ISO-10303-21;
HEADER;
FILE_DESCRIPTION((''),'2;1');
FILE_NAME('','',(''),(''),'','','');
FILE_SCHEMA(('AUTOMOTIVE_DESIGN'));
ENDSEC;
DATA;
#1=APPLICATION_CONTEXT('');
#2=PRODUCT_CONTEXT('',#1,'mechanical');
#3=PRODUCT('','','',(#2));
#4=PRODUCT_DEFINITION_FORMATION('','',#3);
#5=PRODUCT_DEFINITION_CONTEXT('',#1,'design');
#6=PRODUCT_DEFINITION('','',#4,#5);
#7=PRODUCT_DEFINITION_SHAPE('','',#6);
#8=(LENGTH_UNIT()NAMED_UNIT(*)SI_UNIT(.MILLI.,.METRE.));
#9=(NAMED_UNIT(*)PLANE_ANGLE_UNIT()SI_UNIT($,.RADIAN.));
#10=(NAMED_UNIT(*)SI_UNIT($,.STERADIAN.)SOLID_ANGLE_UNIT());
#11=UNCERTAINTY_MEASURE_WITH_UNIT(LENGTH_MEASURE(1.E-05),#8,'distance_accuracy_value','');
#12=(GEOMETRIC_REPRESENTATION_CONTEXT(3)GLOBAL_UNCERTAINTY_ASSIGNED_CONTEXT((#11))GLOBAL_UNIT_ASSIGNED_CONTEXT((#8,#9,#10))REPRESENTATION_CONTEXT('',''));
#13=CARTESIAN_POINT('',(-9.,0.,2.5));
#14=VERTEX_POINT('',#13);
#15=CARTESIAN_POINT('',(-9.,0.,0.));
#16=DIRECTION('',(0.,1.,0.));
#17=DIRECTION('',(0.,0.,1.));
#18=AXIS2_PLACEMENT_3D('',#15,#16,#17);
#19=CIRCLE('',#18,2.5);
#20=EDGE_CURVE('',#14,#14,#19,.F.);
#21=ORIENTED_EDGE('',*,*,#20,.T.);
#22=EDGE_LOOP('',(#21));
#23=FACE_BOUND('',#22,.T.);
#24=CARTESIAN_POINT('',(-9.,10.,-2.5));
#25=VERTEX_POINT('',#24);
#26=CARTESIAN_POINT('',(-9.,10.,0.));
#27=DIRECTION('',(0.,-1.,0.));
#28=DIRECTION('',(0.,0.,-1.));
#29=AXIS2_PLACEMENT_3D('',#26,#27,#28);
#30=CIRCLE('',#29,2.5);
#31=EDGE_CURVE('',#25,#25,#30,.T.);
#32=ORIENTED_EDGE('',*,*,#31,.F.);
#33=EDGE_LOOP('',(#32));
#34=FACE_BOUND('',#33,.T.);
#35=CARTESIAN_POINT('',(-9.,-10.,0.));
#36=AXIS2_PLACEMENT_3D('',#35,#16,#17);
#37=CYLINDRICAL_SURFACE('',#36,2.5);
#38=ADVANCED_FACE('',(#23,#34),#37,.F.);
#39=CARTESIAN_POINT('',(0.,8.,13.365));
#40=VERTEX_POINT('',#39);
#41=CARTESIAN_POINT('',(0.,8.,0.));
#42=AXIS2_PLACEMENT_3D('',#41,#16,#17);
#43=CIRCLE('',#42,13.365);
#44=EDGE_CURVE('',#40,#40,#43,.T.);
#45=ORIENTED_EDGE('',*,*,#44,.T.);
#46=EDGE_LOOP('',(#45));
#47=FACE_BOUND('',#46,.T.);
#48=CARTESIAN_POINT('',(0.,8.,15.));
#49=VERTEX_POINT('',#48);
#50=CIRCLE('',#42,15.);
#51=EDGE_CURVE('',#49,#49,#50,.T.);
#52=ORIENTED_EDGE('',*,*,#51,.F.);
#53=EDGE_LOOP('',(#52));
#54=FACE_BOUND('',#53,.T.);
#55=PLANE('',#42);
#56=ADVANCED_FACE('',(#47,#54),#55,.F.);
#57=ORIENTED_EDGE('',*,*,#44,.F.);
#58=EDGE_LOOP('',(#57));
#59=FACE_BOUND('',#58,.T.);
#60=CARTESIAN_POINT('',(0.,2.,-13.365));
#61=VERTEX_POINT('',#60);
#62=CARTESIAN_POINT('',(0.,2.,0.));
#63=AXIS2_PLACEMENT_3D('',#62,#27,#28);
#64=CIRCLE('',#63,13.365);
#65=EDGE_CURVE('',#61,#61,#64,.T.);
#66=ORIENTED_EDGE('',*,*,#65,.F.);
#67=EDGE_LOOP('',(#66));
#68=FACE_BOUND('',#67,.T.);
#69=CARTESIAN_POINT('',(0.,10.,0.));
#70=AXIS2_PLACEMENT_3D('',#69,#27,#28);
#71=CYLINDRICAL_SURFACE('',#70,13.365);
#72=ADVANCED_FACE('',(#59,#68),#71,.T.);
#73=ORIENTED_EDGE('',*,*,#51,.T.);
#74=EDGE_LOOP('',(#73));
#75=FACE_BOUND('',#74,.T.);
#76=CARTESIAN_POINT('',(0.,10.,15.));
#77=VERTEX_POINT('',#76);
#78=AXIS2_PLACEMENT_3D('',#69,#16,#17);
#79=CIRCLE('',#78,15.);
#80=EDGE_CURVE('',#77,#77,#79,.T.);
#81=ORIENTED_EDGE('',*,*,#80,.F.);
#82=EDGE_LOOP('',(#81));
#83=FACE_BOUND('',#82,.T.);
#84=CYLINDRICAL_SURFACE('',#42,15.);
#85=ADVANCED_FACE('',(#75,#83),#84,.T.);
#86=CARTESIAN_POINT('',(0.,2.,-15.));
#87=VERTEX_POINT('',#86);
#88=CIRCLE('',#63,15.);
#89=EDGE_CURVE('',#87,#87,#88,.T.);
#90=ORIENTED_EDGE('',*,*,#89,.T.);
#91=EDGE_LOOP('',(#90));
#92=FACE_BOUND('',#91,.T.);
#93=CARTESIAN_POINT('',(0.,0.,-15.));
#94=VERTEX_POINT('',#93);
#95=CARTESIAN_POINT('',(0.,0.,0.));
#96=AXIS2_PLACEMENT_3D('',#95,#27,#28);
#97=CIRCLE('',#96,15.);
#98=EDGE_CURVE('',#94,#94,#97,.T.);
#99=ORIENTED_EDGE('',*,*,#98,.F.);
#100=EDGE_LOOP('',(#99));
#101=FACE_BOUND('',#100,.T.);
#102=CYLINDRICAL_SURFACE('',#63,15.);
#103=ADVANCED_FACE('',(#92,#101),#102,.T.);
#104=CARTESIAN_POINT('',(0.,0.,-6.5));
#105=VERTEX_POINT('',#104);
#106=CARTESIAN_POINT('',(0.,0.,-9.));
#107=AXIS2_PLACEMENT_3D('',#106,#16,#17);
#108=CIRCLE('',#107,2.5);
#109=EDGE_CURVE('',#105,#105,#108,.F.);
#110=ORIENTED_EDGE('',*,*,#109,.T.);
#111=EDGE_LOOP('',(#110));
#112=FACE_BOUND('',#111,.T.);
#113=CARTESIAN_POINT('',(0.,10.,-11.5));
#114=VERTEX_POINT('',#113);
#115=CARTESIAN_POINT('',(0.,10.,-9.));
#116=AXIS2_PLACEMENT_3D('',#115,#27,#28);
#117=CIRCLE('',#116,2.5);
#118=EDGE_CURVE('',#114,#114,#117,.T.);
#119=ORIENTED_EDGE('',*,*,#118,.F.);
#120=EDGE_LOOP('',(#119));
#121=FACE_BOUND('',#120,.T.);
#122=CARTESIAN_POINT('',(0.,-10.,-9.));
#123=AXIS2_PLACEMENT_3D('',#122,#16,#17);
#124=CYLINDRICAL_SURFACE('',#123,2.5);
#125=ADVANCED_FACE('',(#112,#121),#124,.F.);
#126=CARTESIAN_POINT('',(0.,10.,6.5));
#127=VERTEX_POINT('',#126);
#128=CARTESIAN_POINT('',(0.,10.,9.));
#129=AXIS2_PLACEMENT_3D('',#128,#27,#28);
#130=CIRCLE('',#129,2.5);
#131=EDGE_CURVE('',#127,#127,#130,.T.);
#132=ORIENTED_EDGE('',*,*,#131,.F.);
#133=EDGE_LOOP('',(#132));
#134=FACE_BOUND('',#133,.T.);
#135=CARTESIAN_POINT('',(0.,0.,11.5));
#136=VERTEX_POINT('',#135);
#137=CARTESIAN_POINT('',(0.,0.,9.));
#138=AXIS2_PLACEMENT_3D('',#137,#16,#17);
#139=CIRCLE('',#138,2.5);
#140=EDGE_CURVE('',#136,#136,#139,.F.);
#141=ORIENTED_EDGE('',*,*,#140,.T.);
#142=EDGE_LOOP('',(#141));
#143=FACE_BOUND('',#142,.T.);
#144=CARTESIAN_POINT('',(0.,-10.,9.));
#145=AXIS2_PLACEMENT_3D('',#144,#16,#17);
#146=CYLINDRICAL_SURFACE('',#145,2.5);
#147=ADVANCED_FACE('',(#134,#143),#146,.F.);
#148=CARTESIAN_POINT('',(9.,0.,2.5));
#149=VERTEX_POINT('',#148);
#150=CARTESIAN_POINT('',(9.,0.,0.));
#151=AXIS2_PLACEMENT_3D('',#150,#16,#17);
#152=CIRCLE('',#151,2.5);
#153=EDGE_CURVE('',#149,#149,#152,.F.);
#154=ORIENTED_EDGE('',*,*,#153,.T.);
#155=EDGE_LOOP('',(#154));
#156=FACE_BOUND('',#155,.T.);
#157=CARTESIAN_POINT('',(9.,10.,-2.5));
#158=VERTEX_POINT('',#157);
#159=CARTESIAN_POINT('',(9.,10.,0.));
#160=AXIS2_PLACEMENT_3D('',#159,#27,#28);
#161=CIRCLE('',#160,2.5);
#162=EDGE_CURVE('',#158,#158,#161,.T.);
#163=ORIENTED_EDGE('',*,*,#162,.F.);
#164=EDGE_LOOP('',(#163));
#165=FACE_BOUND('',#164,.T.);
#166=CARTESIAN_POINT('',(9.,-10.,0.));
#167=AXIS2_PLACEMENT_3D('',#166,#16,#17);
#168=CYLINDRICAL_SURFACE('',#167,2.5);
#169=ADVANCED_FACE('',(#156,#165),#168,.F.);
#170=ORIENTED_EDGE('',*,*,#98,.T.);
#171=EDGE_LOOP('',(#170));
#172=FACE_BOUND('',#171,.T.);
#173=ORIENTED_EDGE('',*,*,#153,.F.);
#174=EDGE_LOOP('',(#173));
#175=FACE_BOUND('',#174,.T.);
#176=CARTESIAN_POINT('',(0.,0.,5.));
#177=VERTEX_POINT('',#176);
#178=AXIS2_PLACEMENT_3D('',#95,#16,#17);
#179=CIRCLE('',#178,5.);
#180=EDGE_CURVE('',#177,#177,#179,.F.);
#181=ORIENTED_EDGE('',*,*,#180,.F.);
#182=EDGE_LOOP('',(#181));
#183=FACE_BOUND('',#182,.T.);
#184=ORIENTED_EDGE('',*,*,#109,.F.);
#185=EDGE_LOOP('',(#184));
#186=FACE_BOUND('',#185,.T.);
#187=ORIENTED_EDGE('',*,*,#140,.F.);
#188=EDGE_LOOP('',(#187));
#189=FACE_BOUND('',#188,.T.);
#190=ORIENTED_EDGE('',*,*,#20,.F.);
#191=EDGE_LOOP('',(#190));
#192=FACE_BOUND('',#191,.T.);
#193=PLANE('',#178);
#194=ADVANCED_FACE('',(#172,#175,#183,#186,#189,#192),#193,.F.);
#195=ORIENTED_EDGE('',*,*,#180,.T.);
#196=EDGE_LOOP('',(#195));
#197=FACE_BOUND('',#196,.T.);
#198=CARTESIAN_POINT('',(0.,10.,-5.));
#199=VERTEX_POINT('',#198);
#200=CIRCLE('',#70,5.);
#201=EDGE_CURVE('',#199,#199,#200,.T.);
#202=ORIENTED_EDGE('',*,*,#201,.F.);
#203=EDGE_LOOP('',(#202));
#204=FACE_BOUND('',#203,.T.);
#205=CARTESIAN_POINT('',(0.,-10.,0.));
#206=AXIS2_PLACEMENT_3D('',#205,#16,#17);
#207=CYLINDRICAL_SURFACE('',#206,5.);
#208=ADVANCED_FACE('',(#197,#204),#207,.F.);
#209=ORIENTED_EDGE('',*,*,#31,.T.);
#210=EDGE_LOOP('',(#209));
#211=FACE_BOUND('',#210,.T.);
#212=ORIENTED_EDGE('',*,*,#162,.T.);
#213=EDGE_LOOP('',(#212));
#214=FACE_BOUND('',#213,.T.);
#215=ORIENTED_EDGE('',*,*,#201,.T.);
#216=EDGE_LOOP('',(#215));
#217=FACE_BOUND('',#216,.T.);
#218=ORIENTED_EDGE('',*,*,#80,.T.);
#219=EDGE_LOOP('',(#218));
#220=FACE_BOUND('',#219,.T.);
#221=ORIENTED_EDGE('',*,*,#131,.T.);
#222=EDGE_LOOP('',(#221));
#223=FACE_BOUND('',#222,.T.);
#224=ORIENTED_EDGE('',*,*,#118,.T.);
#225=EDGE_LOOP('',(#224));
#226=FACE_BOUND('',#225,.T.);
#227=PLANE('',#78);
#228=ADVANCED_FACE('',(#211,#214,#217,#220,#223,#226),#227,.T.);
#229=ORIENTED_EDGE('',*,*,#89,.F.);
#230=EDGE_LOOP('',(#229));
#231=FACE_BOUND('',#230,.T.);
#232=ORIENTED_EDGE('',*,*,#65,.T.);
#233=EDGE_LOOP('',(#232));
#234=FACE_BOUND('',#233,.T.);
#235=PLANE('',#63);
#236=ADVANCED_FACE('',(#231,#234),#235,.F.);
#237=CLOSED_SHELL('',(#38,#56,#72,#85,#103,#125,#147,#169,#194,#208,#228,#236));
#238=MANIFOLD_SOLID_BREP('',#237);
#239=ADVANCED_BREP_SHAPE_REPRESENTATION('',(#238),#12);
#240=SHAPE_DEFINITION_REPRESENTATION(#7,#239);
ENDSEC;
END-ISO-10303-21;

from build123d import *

# Parameters (mm, degrees)
SKETCH1_R               = 13.365
BOSS_EXTRUDE1_DEPTH     = 10
SKETCH2_R               = 15
BOSS_EXTRUDE2_DEPTH     = 2
BOSS_EXTRUDE3_START     = -2
SKETCH3_R               = 15
BOSS_EXTRUDE3_DEPTH     = 2
CUT_EXTRUDE1_DEPTH      = 10
CUT_EXTRUDE1_DEPTH_BACK = 24.452078799
SKETCH4_R               = 5
SKETCH4_R_2             = 2.5


with BuildPart() as part:
    # Sketch1 → Boss-Extrude1 (new body)
    with BuildSketch(Plane(origin=(0, 0, 0), x_dir=(1, 0, 0), z_dir=(0, 1, 0))):
        Circle(SKETCH1_R)
    extrude(amount=BOSS_EXTRUDE1_DEPTH)

    # Sketch2 → Boss-Extrude2 (add)
    with BuildSketch(Plane(origin=(0, 10, 0), x_dir=(1, 0, 0), z_dir=(0, 1, 0))):
        Circle(SKETCH2_R)
    extrude(amount=-BOSS_EXTRUDE2_DEPTH)

    # Sketch3 → Boss-Extrude3 (add)
    with BuildSketch(Plane.XZ.offset(BOSS_EXTRUDE3_START)):
        Circle(SKETCH3_R)
    extrude(amount=BOSS_EXTRUDE3_DEPTH)

    # Sketch4 → Cut-Extrude1 (cut, two sides: drawn at the far end of the back side and taken through both)
    with BuildSketch(Plane.XZ.offset(-CUT_EXTRUDE1_DEPTH_BACK)):
        Circle(SKETCH4_R)
        with Locations((9, 0)):
            Circle(SKETCH4_R_2)
        with Locations((0, 9)):
            Circle(SKETCH4_R_2)
        with Locations((0, -9)):
            Circle(SKETCH4_R_2)
        with Locations((-9, 0)):
            Circle(SKETCH4_R_2)
    extrude(amount=CUT_EXTRUDE1_DEPTH + CUT_EXTRUDE1_DEPTH_BACK, mode=Mode.SUBTRACT)


solid = part.part
